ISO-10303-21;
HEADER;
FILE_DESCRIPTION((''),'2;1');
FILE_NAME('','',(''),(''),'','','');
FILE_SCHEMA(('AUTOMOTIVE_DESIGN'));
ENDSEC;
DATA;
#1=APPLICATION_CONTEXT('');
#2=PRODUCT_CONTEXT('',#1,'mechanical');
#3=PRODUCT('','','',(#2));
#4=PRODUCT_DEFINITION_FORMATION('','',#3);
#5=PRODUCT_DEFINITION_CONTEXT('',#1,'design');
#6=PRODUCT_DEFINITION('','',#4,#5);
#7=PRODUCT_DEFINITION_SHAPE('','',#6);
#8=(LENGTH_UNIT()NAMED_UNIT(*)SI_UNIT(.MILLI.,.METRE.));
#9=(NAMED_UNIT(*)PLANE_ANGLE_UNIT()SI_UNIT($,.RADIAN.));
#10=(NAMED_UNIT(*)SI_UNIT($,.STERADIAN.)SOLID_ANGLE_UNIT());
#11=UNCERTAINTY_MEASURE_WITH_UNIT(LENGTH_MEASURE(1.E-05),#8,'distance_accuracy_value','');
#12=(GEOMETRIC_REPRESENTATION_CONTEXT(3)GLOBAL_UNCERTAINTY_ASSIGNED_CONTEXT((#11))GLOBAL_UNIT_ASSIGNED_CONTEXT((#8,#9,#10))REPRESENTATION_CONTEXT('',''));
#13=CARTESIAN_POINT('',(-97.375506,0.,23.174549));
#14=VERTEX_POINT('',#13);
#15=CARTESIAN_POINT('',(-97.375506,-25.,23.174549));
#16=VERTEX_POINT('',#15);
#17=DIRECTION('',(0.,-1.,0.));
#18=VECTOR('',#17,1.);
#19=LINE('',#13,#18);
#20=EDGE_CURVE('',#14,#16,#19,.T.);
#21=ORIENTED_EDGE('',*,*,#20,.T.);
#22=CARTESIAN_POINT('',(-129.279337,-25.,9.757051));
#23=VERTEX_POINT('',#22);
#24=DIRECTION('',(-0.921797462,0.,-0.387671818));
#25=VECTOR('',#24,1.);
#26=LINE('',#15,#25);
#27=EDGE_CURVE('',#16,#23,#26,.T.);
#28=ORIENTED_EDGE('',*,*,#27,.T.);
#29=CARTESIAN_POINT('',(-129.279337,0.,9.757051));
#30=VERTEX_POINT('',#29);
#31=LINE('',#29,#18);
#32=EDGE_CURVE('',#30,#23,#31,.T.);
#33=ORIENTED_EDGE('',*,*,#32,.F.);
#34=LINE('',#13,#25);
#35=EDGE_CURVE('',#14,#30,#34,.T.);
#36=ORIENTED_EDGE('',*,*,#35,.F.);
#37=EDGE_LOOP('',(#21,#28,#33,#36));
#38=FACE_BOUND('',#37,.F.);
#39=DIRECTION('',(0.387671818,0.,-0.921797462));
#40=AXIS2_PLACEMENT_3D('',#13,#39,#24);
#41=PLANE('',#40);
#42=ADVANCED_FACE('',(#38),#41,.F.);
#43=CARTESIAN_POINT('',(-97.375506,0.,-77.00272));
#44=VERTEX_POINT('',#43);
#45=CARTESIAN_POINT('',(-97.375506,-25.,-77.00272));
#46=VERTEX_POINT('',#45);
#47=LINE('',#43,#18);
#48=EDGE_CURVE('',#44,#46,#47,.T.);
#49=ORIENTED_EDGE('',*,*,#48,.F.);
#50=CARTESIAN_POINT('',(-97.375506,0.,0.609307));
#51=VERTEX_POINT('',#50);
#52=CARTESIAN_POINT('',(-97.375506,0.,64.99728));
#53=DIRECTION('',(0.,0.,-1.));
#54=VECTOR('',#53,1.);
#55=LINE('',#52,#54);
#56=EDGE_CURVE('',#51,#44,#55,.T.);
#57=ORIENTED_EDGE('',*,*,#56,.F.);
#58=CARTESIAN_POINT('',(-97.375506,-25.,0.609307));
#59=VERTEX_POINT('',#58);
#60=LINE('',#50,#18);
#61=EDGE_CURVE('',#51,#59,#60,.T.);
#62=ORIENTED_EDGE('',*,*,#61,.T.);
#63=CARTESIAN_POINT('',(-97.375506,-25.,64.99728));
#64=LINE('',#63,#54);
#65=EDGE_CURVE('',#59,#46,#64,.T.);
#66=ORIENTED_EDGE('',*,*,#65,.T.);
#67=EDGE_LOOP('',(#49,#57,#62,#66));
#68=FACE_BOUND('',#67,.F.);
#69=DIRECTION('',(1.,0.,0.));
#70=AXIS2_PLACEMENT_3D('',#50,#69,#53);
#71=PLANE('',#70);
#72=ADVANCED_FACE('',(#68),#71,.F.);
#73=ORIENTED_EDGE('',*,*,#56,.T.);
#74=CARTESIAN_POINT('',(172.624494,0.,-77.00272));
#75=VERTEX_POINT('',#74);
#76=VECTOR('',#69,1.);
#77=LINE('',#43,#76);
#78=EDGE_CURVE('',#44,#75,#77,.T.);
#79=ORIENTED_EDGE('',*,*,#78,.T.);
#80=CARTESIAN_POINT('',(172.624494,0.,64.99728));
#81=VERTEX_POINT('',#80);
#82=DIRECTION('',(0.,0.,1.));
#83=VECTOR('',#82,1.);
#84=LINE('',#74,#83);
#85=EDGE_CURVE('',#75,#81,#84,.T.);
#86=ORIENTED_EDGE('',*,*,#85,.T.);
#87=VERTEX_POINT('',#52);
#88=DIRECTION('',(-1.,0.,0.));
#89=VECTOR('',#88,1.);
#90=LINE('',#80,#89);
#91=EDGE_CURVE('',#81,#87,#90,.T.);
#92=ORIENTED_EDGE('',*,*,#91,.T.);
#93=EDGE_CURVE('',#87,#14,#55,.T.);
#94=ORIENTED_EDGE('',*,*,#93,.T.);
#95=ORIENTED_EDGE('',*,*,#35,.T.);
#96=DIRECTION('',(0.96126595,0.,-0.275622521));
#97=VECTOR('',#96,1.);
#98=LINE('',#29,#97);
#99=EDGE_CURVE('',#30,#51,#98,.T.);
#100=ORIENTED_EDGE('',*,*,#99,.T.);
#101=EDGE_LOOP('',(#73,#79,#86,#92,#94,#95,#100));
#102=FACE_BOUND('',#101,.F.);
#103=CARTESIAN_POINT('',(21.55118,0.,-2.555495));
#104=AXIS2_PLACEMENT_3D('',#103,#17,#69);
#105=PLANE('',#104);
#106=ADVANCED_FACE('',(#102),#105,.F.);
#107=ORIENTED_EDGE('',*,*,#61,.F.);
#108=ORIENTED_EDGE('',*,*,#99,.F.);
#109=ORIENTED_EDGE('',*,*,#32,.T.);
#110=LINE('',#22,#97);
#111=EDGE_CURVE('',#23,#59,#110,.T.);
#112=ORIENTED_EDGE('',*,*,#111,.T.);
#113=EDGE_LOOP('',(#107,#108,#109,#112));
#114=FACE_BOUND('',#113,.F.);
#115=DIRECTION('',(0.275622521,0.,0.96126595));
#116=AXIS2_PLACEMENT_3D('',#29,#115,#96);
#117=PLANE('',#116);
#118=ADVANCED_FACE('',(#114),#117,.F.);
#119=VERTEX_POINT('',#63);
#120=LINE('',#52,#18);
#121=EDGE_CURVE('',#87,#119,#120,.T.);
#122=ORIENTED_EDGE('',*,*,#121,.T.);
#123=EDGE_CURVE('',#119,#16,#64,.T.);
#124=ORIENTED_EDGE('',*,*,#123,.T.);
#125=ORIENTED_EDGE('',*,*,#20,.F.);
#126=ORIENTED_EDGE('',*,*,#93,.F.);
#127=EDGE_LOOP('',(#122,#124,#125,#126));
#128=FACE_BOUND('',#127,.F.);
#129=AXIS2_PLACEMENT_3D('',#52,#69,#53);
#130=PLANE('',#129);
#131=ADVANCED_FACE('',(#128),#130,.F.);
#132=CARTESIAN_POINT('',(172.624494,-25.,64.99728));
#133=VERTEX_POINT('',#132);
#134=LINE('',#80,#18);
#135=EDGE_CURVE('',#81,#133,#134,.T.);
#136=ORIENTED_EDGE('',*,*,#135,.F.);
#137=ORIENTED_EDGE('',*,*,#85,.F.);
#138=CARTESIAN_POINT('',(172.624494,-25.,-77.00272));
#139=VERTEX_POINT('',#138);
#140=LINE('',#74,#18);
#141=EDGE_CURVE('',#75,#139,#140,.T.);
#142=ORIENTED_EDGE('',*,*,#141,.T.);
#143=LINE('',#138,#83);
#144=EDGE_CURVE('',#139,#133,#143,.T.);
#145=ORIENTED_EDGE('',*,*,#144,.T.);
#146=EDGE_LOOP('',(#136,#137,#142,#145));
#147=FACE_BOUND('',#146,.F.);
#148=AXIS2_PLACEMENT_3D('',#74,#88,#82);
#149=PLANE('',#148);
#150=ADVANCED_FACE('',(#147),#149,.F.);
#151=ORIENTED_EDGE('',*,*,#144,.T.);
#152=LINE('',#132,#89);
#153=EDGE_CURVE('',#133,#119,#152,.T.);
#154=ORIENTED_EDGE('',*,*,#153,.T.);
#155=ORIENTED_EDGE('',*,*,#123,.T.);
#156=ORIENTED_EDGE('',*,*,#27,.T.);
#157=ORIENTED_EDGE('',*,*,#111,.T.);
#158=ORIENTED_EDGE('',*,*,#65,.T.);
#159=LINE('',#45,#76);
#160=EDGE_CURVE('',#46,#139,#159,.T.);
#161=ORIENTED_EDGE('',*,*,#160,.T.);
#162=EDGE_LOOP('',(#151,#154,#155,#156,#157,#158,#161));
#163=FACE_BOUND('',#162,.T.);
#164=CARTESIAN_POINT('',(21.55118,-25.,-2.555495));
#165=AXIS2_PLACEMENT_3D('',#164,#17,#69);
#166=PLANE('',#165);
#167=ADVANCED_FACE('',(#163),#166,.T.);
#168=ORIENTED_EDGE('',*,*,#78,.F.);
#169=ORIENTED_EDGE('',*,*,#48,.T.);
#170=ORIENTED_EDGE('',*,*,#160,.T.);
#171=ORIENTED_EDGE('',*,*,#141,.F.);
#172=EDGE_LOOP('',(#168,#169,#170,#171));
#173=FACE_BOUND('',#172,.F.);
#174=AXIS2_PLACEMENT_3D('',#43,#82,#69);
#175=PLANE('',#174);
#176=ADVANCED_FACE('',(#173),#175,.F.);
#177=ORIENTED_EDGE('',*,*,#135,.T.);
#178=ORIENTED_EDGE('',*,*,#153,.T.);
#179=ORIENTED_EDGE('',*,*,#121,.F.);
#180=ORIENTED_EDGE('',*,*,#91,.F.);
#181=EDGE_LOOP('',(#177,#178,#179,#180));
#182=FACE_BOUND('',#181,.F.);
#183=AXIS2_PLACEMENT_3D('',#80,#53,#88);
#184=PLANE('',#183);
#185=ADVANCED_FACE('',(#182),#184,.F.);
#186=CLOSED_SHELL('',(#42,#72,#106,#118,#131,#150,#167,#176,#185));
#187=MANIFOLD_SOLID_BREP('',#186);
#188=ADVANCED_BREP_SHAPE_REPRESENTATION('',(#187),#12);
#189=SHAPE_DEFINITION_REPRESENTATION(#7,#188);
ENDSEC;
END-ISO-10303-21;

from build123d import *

# Parameters (mm, degrees)
F1_DEPTH = 25


with BuildPart() as f1:
    # F0 (on Front) → F1 (new body)
    with BuildSketch(Plane.XZ):
        Polygon((172.6244944355, 64.9972795546), (-97.3755055645, 64.9972795546), (-97.3755055645, 23.1745494774), (-35.3766158223, 49.2488481104), (-20.4198043793, -21.4561000466), (-97.3755055645, 0.6093069165), (-97.3755055645, -77.0027204454), (172.6244944355, -77.0027204454), align=None)
        Polygon((-35.3766158223, 49.2488481104), (-97.3755055645, 23.1745494774), (-97.3755055645, 0.6093069165), (-20.4198043793, -21.4561000466), align=None)
        Polygon((-97.3755055645, 0.6093069165), (-97.3755055645, 23.1745494774), (-129.2793372111, 9.757050594), align=None)
    extrude(amount=F1_DEPTH)


solid = f1.part
